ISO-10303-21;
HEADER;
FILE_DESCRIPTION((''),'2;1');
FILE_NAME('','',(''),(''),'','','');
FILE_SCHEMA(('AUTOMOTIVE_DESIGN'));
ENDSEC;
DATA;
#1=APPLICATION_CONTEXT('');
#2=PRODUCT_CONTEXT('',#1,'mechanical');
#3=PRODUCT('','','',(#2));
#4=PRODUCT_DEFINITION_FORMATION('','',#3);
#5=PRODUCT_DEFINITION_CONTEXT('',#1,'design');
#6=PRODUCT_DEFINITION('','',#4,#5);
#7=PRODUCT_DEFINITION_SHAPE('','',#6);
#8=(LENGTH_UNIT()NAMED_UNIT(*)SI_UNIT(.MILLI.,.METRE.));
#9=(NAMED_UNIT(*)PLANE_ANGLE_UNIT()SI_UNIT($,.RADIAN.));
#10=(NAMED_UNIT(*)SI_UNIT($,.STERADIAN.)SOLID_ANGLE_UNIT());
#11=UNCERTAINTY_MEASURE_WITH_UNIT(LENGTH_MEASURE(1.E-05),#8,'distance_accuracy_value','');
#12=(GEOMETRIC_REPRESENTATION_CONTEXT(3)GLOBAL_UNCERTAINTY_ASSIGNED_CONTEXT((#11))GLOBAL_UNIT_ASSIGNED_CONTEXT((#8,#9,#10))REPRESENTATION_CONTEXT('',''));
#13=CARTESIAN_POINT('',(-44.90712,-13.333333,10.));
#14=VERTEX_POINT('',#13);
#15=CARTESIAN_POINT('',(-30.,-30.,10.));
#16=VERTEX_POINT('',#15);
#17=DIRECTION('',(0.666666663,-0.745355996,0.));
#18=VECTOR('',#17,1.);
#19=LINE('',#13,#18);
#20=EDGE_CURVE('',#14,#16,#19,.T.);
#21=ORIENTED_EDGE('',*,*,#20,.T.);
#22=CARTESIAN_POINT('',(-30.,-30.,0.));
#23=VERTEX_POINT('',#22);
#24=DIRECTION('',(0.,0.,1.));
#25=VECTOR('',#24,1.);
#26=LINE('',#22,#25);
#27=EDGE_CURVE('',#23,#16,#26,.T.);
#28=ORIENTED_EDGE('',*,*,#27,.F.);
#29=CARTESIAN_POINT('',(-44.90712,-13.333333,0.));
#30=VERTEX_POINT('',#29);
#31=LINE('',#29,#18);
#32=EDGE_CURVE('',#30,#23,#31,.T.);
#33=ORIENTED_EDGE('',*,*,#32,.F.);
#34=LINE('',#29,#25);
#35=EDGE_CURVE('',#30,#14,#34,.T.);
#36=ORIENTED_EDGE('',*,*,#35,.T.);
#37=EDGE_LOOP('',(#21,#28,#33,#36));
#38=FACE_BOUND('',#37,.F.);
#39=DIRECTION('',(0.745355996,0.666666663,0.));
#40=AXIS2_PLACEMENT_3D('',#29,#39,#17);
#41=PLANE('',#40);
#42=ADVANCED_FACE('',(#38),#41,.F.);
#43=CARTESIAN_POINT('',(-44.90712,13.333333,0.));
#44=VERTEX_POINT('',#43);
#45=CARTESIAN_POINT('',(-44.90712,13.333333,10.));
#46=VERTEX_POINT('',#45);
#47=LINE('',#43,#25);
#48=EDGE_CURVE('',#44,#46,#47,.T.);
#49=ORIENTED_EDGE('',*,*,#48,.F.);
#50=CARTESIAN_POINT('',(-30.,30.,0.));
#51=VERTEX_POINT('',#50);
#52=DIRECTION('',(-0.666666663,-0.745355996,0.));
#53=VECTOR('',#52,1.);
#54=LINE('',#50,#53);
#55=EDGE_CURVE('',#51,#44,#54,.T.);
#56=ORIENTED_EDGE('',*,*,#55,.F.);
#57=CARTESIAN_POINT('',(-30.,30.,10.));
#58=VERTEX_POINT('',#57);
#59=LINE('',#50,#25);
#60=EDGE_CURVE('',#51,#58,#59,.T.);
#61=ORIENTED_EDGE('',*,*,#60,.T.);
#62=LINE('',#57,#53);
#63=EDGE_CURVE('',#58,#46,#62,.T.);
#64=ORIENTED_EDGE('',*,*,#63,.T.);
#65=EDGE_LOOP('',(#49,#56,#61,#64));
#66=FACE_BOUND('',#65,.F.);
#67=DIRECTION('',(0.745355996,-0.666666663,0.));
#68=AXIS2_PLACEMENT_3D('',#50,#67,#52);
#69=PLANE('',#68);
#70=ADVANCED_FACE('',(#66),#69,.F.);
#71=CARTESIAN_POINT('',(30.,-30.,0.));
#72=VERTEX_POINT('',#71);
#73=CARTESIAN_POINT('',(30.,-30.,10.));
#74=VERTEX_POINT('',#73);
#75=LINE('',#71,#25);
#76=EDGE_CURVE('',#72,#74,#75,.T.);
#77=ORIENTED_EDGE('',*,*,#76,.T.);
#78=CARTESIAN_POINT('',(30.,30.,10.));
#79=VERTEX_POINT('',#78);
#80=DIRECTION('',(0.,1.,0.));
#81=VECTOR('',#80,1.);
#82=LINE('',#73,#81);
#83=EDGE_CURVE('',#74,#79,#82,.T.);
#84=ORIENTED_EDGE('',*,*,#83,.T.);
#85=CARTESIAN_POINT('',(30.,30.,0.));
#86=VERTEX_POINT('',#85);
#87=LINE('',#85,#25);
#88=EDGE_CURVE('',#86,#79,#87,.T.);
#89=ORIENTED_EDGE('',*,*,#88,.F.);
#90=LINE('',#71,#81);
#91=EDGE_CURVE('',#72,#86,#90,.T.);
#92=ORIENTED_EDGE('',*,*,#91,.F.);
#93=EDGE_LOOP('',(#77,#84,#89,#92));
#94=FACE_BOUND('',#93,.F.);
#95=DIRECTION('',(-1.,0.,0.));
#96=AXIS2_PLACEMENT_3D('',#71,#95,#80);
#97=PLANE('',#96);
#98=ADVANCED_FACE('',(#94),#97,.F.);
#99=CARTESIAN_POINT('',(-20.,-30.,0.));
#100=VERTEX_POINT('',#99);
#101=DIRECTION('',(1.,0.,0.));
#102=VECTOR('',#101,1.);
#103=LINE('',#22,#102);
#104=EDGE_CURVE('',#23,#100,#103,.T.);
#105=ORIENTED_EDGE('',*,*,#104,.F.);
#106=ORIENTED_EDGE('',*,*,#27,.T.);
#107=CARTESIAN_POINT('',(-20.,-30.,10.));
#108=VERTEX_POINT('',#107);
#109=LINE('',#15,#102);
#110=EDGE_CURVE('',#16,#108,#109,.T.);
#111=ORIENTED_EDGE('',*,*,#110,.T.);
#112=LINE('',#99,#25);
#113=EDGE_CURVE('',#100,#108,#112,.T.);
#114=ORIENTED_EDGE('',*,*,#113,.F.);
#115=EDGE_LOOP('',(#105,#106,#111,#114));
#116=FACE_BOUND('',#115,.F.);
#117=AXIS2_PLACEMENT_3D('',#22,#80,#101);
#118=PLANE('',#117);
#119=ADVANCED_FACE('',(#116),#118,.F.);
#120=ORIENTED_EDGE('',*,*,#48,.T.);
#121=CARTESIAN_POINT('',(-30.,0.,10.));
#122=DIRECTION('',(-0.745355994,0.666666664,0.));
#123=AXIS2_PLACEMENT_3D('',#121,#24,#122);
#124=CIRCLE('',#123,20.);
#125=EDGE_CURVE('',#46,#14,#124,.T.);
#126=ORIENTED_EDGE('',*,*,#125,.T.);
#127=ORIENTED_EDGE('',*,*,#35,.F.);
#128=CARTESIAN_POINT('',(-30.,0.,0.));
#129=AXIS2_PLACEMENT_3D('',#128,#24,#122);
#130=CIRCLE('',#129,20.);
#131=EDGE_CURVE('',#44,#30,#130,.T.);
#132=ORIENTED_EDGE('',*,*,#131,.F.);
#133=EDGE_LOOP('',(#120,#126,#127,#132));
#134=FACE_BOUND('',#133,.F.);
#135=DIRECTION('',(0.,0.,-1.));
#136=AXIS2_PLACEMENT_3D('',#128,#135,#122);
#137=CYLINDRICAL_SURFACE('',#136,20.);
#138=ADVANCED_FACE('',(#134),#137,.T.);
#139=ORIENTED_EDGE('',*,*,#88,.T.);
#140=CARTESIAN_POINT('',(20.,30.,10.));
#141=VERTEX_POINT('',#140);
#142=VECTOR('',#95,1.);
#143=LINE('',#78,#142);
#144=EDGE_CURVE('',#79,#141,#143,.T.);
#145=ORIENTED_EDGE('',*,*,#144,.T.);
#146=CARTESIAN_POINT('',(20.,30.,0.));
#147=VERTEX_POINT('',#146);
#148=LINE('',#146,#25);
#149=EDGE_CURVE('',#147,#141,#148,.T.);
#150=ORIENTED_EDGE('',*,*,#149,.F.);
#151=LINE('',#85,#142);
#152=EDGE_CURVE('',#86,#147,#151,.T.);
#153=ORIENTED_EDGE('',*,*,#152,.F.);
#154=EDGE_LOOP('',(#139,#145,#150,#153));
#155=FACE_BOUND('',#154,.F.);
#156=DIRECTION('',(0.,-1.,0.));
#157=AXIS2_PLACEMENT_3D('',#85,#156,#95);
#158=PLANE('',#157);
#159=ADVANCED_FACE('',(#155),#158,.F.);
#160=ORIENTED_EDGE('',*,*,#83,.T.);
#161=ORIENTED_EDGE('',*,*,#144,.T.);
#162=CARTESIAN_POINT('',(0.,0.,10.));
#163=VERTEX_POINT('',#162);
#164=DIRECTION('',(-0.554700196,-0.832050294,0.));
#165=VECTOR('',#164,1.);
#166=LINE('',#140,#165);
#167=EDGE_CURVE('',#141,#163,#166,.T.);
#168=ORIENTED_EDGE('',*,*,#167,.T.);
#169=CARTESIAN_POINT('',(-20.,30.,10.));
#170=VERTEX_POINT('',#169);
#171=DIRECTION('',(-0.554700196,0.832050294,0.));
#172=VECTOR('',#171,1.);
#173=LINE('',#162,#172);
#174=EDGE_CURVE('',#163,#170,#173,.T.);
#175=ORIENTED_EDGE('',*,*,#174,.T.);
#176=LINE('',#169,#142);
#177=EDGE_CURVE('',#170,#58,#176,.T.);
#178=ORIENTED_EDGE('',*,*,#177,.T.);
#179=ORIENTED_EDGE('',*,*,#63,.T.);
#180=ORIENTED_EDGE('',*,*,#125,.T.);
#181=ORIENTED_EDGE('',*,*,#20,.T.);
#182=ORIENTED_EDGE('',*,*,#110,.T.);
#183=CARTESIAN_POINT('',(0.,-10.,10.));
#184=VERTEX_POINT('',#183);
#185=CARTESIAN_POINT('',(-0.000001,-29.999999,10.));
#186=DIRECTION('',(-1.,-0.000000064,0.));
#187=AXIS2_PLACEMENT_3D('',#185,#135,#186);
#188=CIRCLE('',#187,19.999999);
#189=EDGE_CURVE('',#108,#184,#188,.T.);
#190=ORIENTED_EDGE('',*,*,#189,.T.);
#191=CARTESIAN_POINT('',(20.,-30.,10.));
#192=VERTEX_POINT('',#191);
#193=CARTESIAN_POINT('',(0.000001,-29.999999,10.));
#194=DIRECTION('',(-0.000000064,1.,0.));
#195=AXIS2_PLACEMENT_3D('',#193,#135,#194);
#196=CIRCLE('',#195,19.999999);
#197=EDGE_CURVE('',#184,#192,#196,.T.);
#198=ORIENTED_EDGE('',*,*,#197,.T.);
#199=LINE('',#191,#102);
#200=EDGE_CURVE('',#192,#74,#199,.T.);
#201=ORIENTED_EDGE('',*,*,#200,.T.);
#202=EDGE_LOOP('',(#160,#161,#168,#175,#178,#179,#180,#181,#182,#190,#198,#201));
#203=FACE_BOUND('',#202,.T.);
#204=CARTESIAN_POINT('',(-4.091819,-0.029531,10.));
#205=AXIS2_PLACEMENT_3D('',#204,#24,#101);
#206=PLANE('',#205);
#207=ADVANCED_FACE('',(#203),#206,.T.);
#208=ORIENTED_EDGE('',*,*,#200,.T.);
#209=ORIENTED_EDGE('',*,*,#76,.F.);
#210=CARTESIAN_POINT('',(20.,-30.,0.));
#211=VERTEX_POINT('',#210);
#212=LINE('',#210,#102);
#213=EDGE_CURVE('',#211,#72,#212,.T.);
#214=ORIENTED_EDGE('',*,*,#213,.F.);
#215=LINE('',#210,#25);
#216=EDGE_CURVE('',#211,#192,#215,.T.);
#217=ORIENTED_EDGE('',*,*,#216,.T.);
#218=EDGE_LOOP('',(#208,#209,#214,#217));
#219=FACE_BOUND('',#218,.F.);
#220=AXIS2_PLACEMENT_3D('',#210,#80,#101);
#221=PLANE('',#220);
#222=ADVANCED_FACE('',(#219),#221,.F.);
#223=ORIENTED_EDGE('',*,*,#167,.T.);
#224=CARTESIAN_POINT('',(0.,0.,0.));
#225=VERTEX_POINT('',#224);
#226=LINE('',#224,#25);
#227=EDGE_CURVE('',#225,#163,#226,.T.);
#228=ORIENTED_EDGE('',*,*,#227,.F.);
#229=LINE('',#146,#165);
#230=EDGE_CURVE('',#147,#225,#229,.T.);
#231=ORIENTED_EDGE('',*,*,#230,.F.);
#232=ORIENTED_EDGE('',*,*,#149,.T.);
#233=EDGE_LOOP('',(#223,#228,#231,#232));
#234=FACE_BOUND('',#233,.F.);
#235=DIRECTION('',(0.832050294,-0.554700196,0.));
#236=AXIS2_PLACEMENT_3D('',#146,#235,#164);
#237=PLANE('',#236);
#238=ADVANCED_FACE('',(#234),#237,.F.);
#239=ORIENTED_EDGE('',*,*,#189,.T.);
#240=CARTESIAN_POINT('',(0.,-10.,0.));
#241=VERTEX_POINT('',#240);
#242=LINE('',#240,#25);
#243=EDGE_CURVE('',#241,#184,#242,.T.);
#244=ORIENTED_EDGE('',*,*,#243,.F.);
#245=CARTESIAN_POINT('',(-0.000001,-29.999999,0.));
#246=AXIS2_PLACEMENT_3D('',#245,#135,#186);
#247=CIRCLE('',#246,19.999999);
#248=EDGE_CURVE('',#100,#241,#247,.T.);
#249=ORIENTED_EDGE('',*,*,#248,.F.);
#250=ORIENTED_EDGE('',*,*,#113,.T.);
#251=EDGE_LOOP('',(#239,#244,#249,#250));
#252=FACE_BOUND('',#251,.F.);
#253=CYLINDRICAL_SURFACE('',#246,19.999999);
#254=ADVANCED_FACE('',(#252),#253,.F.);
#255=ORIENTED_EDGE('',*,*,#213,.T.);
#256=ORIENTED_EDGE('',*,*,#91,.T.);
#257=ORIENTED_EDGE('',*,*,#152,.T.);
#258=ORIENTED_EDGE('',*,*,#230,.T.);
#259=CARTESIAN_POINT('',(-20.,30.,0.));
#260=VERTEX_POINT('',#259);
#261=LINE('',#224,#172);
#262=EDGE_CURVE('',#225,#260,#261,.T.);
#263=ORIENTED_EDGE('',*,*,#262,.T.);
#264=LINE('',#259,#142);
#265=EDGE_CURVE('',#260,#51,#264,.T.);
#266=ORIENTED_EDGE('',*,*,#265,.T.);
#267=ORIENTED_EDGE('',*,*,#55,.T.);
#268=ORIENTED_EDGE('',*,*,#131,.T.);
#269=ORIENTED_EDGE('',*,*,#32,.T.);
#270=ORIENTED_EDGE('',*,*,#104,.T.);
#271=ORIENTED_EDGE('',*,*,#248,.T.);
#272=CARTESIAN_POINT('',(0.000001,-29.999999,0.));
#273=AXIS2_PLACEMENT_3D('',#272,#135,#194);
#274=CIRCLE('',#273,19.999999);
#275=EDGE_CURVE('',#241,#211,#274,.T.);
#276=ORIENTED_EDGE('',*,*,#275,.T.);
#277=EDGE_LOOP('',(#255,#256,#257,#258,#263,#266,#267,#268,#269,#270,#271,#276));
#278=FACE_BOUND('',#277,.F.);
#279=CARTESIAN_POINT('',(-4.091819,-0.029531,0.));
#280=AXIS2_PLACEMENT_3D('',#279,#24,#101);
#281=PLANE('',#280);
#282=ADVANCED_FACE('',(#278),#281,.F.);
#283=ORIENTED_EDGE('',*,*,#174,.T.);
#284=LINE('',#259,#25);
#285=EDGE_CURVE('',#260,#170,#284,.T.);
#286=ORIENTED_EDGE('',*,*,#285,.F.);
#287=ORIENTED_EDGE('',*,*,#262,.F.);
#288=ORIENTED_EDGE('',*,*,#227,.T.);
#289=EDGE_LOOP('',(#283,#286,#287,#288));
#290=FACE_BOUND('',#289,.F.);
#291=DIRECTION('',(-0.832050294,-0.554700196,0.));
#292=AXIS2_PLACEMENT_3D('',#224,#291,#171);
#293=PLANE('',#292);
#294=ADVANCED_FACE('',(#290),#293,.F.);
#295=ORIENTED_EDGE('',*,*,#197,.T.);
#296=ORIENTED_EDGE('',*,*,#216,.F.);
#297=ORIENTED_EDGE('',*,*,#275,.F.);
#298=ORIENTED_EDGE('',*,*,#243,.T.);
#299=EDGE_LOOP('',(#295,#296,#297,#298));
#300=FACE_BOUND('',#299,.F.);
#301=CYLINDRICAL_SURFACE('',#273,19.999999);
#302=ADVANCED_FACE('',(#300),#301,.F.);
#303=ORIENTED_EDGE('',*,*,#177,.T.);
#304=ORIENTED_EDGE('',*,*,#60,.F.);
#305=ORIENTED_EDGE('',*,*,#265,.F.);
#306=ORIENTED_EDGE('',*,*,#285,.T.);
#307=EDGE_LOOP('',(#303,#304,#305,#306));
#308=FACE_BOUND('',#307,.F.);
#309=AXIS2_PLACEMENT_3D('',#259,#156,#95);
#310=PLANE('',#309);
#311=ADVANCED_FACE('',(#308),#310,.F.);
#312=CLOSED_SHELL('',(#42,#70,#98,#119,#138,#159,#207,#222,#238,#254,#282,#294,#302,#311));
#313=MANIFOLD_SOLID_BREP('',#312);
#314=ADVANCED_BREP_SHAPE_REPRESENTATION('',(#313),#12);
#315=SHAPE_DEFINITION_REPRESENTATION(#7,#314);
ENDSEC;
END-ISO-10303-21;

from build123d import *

# Parameters (mm, degrees)
F1_DEPTH = 10


with BuildPart() as f1:
    # F0 (on Top) → F1 (new body)
    with BuildSketch(Plane.XY):
        with BuildLine():
            Line((20, 30), (0, 0))
            Line((0, 0), (-20, 30))
            Line((-20, 30), (-30, 30))
            Line((-30, 30), (-44.90712, 13.333333))
            ThreePointArc((-44.90712, 13.333333), (-50, 0), (-44.90712, -13.333333))
            Line((-44.90712, -13.333333), (-30, -30))
            Line((-30, -30), (-20, -30))
            ThreePointArc((-20, -30), (-14.142136, -15.857864), (0, -10))
            ThreePointArc((0, -10), (14.142136, -15.857864), (20, -30))
            Line((20, -30), (30, -30))
            Line((30, -30), (30, 30))
            Line((30, 30), (20, 30))
        make_face()
    extrude(amount=F1_DEPTH)


solid = f1.part
